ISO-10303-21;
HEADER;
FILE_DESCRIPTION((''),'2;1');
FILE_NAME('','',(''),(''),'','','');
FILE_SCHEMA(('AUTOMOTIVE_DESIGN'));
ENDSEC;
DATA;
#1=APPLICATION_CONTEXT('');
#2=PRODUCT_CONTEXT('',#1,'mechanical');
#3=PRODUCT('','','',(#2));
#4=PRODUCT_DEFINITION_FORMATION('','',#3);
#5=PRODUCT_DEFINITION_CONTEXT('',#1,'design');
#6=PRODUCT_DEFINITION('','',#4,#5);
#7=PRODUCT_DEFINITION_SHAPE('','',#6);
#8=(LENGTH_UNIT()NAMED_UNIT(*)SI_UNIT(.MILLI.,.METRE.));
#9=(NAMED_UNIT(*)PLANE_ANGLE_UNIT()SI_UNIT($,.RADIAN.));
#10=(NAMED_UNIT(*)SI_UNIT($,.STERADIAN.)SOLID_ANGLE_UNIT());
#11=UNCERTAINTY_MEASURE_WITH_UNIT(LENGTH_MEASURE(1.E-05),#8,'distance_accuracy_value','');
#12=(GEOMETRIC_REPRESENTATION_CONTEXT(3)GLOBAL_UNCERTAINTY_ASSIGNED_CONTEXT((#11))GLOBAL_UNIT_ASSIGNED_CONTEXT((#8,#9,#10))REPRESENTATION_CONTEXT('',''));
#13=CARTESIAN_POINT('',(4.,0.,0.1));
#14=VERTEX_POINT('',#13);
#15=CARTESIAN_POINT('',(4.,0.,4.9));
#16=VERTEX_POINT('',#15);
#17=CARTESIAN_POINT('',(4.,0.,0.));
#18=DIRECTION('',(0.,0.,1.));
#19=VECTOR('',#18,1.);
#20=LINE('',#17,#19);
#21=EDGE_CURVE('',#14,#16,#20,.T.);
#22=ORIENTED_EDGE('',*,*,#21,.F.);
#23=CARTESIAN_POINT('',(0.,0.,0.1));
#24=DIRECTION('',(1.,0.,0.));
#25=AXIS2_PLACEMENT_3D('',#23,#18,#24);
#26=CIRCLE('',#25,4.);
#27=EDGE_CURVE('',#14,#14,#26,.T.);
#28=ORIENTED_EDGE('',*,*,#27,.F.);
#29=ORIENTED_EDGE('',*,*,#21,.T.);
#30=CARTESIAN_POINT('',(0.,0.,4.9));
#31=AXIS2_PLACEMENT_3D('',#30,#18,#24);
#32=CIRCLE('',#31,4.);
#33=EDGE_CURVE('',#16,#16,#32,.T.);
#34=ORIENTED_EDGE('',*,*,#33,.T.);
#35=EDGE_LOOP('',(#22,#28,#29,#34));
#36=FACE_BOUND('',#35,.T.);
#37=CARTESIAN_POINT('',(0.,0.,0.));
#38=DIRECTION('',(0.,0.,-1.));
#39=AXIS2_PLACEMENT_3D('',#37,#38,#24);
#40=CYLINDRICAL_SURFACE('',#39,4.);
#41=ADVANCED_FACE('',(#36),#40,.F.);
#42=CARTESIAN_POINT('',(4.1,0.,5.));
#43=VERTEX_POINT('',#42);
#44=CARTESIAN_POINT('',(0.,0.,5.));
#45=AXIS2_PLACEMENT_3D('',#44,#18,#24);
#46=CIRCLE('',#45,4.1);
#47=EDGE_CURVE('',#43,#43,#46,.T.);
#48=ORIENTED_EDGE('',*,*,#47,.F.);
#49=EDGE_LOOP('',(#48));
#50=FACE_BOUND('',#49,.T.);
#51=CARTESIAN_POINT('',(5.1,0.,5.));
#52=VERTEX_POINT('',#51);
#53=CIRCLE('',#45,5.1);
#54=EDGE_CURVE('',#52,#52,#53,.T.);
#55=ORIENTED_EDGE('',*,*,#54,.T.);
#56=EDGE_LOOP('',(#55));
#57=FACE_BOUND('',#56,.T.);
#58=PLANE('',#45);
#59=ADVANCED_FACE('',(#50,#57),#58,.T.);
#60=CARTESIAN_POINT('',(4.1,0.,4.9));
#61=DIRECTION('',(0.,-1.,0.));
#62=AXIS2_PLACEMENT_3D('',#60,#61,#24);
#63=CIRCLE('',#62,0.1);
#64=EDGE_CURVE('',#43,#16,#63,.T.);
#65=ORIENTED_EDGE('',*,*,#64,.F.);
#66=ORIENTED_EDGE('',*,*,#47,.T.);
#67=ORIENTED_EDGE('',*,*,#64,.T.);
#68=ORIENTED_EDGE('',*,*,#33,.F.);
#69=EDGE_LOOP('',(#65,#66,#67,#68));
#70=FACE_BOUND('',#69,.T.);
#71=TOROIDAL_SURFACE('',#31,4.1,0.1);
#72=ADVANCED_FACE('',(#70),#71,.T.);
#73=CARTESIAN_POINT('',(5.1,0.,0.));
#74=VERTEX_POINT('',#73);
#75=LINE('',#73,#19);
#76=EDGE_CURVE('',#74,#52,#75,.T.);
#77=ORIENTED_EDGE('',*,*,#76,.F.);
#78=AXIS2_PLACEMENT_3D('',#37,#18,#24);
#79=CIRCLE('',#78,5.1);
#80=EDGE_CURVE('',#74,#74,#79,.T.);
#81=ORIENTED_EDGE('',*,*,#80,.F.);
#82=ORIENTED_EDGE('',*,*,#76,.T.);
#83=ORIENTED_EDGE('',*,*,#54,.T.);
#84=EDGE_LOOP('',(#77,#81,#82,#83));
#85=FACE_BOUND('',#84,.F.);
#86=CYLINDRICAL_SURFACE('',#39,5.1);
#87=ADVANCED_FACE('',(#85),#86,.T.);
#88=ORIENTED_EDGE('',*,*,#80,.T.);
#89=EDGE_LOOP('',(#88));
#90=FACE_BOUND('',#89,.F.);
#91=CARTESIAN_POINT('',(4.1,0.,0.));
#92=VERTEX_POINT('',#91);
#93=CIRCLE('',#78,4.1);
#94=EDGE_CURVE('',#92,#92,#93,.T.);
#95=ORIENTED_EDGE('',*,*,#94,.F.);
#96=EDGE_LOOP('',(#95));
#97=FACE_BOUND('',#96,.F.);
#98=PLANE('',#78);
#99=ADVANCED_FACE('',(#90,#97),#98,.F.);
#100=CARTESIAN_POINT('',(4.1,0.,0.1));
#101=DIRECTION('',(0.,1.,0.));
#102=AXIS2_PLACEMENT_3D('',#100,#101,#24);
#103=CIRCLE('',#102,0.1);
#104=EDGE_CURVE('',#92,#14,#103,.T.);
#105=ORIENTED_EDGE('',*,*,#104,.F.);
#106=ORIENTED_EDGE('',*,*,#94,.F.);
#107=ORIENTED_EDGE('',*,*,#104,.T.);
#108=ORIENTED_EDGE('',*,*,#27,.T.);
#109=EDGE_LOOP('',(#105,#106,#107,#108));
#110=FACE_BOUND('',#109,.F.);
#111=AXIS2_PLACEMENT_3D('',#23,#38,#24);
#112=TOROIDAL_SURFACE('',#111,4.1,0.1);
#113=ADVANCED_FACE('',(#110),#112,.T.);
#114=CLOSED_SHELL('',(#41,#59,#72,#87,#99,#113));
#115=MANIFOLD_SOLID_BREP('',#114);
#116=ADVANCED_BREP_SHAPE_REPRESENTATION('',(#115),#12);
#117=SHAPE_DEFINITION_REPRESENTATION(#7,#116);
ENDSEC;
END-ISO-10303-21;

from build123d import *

# Parameters (mm, degrees)
CYLINDER001_R     = 4
CYLINDER001_DEPTH = 5
CYLINDER003_R     = 5.1
CYLINDER003_DEPTH = 5
FILLET_R          = 0.1


with BuildPart() as interior:
    # Cylinder001 → Cylinder001 (new body)
    with BuildSketch(Plane.XY):
        Circle(CYLINDER001_R)
    extrude(amount=CYLINDER001_DEPTH)


with BuildPart() as fillet_body:
    # Cylinder003 → Cylinder003 (new body)
    with BuildSketch(Plane.XY):
        Circle(CYLINDER003_R)
    extrude(amount=CYLINDER003_DEPTH)

    # Cut001: cut Interior
    add(interior.part, mode=Mode.SUBTRACT)

    # Fillet
    fillet_edges = [fillet_body.edges().sort_by_distance(p)[0] for p in [
        (-4, 0, 0),
        (-4, 0, 5),
    ]]
    fillet(fillet_edges, radius=FILLET_R)


solid = fillet_body.part
